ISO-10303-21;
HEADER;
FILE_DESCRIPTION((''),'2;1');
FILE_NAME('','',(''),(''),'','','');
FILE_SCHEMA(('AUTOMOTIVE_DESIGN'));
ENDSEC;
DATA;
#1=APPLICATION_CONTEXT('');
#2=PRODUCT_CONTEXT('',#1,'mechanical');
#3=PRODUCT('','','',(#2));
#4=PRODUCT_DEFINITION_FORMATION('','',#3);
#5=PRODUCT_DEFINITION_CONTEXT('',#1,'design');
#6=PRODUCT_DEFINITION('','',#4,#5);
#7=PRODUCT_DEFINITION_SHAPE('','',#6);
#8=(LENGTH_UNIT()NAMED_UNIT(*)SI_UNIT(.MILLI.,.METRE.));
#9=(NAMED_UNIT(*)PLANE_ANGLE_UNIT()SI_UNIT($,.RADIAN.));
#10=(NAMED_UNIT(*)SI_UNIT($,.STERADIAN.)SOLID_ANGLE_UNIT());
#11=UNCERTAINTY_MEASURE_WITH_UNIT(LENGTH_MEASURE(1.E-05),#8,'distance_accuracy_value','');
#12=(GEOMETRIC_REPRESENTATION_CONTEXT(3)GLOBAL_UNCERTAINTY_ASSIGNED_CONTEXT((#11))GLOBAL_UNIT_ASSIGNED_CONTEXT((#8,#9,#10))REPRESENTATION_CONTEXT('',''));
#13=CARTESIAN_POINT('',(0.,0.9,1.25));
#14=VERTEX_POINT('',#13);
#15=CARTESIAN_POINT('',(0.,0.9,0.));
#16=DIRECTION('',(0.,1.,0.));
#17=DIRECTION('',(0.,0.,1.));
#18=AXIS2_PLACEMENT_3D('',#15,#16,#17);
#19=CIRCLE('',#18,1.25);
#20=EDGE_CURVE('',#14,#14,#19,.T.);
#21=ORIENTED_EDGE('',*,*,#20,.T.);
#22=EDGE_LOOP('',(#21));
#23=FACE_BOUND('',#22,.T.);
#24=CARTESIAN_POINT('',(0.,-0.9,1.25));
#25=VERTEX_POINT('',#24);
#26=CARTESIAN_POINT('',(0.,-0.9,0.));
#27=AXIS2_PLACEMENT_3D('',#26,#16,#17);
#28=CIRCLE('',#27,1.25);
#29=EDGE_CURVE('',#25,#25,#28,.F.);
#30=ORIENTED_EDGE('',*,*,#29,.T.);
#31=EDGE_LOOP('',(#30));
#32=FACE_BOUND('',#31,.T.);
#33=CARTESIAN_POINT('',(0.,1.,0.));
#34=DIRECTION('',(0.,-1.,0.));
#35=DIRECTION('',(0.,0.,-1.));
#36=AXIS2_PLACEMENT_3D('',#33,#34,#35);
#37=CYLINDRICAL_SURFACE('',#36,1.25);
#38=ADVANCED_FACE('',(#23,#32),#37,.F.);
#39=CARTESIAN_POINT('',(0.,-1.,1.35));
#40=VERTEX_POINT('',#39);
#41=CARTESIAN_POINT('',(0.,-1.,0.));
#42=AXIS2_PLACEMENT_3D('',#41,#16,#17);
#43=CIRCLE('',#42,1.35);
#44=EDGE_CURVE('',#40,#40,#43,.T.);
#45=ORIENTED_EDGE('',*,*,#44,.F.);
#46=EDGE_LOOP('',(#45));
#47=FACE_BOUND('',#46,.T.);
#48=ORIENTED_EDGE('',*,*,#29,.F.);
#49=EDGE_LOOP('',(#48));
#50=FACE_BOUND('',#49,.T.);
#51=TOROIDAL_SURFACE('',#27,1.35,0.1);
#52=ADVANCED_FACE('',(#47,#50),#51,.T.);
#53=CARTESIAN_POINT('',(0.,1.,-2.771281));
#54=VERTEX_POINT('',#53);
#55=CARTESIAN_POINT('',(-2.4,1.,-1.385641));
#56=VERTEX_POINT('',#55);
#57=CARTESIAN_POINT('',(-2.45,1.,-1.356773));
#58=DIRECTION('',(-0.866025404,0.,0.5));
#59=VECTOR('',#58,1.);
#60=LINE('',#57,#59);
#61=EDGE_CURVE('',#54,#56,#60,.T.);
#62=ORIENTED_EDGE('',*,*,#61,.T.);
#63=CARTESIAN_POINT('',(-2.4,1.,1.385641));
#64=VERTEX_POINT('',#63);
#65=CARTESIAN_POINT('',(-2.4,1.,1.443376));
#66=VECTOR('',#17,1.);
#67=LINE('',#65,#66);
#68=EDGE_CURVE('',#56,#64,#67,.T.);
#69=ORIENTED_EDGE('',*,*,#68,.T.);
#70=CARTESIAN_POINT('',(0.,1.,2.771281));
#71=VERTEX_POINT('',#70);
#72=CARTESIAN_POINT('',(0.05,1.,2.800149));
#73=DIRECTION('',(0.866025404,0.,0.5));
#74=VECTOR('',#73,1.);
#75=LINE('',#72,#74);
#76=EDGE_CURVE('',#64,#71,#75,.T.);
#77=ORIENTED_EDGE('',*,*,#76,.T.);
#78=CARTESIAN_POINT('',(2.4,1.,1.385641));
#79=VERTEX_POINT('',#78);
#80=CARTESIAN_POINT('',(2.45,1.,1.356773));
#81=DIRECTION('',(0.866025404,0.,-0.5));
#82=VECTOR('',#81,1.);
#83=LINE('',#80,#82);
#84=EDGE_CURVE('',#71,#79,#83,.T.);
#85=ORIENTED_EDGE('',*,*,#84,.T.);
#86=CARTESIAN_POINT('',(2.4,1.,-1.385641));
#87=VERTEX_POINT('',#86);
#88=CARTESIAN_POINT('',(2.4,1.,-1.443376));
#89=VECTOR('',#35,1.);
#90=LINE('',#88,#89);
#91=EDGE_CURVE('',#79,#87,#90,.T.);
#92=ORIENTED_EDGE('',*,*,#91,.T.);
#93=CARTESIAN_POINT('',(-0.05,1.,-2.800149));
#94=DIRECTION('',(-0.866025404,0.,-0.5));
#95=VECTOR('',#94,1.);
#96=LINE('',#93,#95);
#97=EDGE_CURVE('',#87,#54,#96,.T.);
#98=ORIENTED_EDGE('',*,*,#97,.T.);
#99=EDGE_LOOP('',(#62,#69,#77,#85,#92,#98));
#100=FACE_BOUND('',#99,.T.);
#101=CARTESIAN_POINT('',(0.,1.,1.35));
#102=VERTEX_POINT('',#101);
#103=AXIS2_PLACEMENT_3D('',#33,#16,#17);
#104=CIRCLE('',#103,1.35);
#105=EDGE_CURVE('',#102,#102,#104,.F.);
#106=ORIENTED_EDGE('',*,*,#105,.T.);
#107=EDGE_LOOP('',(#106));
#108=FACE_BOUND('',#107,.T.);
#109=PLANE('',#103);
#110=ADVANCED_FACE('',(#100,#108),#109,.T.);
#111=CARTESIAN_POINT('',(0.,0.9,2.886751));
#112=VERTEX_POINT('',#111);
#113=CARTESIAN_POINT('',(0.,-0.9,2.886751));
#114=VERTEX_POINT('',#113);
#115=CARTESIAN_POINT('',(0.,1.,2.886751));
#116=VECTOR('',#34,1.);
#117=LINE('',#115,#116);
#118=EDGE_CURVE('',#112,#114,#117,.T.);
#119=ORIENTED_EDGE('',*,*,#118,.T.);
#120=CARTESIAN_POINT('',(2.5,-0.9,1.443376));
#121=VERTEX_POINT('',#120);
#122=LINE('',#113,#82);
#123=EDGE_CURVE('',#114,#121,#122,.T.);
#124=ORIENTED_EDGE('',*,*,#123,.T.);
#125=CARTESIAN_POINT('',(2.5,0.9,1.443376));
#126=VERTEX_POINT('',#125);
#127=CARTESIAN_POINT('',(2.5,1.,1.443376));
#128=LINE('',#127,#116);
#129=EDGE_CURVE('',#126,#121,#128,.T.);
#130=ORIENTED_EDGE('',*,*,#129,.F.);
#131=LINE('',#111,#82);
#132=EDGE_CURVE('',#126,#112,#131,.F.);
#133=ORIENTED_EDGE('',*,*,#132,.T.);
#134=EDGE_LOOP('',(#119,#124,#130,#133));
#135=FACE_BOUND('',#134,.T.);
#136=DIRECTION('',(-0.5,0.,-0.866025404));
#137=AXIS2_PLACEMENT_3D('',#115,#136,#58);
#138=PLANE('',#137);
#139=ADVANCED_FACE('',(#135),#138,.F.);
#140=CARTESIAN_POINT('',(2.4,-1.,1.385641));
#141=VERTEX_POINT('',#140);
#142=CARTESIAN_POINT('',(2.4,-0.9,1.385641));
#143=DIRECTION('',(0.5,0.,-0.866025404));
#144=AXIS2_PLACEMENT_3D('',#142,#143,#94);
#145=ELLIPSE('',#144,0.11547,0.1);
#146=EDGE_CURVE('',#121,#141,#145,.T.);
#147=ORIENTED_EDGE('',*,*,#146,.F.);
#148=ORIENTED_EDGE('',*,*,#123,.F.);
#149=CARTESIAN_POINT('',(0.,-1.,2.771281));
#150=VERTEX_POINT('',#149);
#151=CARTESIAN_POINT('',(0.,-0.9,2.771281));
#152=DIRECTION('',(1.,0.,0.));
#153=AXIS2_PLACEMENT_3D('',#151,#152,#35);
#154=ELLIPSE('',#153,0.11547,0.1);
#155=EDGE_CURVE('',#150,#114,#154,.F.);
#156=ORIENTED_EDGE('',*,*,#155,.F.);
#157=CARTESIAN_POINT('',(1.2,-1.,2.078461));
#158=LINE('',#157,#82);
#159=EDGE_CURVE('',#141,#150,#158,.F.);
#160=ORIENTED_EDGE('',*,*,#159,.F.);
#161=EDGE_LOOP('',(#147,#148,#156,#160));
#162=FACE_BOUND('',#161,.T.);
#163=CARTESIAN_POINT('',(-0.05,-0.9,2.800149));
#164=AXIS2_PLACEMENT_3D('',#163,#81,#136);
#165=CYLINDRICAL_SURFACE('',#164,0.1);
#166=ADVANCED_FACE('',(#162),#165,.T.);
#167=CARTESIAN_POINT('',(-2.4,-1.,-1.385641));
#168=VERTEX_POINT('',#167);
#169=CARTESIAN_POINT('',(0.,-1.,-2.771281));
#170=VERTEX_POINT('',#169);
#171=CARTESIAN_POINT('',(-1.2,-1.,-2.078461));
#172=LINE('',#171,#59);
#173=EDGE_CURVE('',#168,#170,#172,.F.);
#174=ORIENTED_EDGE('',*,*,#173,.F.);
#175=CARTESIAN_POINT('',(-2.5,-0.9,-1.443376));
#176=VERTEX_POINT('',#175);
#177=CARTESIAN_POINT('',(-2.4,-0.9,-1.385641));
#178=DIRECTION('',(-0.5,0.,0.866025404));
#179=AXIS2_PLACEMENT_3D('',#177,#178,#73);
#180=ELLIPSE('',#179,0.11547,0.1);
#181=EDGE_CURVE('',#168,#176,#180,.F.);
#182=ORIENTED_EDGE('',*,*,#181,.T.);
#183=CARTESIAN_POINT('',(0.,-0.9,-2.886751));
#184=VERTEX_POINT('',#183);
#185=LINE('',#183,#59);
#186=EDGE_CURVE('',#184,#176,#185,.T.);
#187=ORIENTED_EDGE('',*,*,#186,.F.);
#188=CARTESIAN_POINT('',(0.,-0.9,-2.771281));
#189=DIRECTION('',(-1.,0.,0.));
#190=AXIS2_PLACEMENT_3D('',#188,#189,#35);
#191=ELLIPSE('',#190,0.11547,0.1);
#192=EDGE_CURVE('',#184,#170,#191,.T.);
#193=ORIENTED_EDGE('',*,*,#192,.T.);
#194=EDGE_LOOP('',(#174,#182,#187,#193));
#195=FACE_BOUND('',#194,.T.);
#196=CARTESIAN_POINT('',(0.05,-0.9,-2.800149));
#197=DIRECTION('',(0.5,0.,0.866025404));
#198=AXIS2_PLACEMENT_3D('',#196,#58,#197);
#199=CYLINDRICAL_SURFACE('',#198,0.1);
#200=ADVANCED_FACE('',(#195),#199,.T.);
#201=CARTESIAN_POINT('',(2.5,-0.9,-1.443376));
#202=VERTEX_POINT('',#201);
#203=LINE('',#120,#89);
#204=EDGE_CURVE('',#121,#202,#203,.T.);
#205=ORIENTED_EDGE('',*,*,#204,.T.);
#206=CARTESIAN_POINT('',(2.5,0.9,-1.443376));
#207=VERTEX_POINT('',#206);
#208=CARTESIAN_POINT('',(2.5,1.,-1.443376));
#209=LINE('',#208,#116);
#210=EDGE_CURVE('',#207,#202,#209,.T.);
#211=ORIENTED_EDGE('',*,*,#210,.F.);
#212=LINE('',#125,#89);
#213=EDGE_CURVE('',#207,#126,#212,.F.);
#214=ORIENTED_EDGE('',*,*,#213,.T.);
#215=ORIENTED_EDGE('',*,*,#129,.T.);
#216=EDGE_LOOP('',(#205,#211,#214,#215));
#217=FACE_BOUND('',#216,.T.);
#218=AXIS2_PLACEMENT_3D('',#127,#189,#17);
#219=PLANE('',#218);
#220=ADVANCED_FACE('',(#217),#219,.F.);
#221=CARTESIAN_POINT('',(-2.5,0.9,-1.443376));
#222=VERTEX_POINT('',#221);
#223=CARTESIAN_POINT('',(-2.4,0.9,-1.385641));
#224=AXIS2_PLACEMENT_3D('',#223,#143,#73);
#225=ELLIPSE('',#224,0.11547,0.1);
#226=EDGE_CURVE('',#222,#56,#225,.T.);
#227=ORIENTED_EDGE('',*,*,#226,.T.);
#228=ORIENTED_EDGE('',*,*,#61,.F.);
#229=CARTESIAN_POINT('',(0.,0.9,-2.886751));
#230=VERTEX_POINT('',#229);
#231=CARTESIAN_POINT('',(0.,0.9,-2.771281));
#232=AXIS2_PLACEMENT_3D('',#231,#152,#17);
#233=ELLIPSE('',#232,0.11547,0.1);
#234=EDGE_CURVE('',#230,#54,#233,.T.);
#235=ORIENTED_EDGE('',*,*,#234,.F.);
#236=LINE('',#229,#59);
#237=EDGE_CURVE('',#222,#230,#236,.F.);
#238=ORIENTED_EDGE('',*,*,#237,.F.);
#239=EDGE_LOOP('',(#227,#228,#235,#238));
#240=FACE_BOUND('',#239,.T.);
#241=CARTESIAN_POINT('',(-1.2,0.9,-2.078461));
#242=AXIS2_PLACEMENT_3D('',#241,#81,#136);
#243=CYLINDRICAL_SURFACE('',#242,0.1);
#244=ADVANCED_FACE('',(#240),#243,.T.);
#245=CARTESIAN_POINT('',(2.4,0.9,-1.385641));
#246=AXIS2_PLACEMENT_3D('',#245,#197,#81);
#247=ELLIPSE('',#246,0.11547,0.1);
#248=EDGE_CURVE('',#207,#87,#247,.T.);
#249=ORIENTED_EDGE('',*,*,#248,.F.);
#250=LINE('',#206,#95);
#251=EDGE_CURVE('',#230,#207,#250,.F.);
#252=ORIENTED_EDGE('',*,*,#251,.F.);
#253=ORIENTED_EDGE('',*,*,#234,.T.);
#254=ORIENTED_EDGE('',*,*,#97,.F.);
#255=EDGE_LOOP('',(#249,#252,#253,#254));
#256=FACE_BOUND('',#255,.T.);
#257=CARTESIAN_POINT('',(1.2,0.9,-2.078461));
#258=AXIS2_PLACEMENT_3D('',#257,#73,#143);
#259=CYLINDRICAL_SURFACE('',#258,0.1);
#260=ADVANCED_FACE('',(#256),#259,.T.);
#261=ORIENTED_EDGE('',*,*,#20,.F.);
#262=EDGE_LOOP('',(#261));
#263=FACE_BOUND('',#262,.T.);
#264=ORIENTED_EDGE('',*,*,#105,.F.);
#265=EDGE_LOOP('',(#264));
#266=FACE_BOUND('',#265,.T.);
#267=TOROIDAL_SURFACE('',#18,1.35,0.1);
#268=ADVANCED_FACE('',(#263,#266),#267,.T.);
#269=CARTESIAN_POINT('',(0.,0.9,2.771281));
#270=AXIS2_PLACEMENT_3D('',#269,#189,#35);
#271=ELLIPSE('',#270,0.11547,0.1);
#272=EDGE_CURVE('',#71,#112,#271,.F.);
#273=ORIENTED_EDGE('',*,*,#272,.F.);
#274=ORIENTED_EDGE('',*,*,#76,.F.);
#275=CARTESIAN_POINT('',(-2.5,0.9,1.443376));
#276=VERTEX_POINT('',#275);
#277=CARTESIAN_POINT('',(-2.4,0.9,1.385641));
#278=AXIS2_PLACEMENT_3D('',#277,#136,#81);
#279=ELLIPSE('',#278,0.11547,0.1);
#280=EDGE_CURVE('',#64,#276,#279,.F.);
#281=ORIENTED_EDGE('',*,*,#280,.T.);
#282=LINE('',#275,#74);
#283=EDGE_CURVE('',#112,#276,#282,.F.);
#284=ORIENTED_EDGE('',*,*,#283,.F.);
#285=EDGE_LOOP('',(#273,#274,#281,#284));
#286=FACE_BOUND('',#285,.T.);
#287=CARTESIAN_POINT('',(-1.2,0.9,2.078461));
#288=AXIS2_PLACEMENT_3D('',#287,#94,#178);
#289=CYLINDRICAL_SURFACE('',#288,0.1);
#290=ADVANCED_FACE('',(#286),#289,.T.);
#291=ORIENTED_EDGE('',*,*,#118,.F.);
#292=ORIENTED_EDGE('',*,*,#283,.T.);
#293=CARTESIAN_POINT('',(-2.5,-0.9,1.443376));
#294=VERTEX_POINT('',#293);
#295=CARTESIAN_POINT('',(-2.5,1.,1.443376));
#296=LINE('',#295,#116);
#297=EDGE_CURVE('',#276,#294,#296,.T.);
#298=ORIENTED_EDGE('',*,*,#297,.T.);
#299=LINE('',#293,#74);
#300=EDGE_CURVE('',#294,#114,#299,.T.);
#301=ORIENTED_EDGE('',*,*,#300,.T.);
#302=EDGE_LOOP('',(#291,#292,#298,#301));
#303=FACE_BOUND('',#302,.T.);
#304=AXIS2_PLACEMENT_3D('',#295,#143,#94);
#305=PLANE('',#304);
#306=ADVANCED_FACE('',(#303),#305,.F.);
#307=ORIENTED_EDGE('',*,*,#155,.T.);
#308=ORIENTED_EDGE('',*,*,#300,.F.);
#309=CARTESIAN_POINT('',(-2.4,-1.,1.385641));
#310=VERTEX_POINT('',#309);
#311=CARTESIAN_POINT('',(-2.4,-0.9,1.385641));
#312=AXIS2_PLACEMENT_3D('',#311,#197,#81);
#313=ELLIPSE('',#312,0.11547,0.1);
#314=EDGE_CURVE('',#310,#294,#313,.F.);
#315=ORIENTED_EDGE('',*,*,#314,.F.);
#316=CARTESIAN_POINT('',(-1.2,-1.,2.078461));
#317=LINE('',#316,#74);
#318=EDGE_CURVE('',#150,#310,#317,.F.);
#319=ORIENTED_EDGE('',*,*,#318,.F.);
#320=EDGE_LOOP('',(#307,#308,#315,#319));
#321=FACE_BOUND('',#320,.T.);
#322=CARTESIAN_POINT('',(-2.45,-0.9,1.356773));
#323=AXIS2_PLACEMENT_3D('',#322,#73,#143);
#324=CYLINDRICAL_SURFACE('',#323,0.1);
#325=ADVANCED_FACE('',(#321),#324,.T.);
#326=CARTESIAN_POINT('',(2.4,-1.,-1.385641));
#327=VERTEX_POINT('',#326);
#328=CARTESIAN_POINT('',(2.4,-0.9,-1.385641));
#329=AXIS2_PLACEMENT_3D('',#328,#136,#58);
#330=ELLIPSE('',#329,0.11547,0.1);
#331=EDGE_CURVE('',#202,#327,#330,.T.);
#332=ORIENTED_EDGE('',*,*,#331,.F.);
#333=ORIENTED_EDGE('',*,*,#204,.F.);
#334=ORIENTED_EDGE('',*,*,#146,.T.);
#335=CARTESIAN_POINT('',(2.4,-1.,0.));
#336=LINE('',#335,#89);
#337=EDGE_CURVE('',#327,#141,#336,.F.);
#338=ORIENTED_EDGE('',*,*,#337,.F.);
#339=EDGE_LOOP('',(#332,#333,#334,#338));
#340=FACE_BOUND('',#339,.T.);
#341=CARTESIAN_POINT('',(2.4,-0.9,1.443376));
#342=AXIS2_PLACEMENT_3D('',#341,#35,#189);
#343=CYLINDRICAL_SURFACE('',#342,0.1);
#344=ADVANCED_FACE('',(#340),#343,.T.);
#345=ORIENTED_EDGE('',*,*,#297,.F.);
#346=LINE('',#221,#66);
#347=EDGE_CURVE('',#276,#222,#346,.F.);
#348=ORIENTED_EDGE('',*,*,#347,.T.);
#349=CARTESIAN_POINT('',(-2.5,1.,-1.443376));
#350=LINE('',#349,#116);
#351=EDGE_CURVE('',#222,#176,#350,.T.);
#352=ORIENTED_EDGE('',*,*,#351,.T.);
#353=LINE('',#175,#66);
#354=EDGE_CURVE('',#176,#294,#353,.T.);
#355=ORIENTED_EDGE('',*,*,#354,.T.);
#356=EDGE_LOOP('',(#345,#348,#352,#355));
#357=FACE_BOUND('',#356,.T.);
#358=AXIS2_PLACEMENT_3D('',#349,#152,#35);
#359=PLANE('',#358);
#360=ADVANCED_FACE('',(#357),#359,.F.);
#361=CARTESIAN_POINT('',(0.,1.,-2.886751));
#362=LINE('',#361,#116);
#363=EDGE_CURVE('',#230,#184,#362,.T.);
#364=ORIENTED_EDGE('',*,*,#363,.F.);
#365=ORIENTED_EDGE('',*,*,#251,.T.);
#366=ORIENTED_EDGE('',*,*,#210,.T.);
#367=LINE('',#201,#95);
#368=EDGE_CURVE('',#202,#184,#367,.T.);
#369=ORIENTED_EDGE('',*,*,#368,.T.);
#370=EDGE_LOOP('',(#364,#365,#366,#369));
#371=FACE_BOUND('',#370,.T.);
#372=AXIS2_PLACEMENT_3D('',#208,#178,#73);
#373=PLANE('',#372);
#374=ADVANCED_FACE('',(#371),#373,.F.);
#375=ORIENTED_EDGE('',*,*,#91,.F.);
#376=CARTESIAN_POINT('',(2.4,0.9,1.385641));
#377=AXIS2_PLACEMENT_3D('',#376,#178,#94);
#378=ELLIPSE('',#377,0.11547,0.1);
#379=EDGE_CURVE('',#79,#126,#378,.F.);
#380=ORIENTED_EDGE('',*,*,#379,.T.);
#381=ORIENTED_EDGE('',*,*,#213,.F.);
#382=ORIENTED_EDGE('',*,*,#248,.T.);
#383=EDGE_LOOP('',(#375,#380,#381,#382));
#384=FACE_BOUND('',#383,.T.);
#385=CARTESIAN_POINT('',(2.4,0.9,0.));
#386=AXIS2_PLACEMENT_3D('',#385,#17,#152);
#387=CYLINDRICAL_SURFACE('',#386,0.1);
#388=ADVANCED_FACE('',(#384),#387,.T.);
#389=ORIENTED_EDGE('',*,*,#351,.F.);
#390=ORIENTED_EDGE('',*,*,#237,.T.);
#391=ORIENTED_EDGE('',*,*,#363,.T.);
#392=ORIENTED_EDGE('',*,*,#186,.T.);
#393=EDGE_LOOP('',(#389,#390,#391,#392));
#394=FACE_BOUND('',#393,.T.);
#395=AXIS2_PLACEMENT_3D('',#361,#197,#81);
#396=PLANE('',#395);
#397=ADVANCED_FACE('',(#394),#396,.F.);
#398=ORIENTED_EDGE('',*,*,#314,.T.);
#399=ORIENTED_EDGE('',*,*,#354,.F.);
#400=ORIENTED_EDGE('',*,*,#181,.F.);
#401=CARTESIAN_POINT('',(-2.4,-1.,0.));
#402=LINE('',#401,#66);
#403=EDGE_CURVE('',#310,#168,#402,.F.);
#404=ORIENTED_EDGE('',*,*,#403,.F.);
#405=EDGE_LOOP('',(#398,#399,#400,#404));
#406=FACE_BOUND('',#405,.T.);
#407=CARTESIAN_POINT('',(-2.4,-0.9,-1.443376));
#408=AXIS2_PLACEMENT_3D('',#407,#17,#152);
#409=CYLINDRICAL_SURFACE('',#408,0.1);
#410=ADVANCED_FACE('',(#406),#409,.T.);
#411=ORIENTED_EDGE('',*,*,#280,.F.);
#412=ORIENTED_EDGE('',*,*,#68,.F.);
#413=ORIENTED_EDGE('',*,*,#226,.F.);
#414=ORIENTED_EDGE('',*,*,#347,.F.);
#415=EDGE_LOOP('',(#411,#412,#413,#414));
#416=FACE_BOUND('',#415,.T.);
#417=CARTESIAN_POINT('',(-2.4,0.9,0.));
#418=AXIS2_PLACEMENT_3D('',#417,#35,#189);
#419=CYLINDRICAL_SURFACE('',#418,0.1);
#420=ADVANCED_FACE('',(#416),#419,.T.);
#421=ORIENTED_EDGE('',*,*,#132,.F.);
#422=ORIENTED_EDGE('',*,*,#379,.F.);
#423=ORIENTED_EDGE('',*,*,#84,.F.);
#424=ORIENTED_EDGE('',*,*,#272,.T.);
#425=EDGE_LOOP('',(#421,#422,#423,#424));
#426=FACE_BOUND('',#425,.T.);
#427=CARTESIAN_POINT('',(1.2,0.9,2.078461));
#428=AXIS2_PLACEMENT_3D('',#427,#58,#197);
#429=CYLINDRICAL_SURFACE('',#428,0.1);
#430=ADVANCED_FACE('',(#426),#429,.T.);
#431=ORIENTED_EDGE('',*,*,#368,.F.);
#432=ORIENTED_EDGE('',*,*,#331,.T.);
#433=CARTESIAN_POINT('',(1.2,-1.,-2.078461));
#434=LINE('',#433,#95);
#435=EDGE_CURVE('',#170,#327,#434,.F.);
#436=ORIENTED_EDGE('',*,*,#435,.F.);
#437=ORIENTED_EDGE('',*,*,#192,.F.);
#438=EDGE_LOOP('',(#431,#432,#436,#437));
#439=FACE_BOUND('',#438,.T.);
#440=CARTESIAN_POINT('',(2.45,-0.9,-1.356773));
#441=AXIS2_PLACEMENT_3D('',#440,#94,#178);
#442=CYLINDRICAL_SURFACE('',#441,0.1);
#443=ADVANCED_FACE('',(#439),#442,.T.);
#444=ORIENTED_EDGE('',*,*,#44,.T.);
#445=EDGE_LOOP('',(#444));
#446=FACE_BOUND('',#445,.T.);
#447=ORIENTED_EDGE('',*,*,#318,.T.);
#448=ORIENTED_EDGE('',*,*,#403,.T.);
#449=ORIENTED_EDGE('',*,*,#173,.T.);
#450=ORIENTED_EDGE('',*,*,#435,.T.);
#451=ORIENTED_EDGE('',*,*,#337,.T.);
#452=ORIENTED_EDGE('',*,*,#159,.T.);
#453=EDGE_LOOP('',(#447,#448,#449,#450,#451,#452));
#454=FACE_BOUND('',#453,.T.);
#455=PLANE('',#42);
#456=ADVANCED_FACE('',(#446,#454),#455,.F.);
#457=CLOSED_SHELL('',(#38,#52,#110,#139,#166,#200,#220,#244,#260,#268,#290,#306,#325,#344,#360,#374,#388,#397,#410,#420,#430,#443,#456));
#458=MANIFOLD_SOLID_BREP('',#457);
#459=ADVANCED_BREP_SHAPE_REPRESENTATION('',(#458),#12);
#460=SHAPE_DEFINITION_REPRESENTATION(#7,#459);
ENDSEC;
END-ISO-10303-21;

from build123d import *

# Parameters (mm, degrees)
SKETCH1_R           = 1.25
BOSS_EXTRUDE1_DEPTH = 1
FILLET1_R           = 0.1


with BuildPart() as part:
    # Sketch1 → Boss-Extrude1 (new, symmetric)
    with BuildSketch(Plane(origin=(0, 0, 0), x_dir=(1, 0, 0), z_dir=(0, 1, 0))):
        Polygon((0, 2.886751346), (-2.5, 1.443375673), (-2.5, -1.443375673), (0, -2.886751346), (2.5, -1.443375673), (2.5, 1.443375673), align=None)
        with Locations(Location((0, 0, 0), (0, 0, 270))):
            Circle(SKETCH1_R, mode=Mode.SUBTRACT)
    extrude(amount=BOSS_EXTRUDE1_DEPTH, both=True)

    # Fillet1
    fillet1_edges = [part.edges().sort_by_distance(p)[0] for p in [
        (-2.5, 1, 0),
        (-1.25, 1, 2.165063509),
        (1.25, 1, 2.165063509),
        (0, -1, -1.25),
        (0, 1, -1.25),
        (2.5, 1, 0),
        (1.25, 1, -2.165063509),
        (2.5, -1, 0),
        (1.25, -1, 2.165063509),
        (-1.25, -1, 2.165063509),
        (-1.25, 1, -2.165063509),
        (-2.5, -1, 0),
        (-1.25, -1, -2.165063509),
        (1.25, -1, -2.165063509),
    ]]
    fillet(fillet1_edges, radius=FILLET1_R)


solid = part.part
